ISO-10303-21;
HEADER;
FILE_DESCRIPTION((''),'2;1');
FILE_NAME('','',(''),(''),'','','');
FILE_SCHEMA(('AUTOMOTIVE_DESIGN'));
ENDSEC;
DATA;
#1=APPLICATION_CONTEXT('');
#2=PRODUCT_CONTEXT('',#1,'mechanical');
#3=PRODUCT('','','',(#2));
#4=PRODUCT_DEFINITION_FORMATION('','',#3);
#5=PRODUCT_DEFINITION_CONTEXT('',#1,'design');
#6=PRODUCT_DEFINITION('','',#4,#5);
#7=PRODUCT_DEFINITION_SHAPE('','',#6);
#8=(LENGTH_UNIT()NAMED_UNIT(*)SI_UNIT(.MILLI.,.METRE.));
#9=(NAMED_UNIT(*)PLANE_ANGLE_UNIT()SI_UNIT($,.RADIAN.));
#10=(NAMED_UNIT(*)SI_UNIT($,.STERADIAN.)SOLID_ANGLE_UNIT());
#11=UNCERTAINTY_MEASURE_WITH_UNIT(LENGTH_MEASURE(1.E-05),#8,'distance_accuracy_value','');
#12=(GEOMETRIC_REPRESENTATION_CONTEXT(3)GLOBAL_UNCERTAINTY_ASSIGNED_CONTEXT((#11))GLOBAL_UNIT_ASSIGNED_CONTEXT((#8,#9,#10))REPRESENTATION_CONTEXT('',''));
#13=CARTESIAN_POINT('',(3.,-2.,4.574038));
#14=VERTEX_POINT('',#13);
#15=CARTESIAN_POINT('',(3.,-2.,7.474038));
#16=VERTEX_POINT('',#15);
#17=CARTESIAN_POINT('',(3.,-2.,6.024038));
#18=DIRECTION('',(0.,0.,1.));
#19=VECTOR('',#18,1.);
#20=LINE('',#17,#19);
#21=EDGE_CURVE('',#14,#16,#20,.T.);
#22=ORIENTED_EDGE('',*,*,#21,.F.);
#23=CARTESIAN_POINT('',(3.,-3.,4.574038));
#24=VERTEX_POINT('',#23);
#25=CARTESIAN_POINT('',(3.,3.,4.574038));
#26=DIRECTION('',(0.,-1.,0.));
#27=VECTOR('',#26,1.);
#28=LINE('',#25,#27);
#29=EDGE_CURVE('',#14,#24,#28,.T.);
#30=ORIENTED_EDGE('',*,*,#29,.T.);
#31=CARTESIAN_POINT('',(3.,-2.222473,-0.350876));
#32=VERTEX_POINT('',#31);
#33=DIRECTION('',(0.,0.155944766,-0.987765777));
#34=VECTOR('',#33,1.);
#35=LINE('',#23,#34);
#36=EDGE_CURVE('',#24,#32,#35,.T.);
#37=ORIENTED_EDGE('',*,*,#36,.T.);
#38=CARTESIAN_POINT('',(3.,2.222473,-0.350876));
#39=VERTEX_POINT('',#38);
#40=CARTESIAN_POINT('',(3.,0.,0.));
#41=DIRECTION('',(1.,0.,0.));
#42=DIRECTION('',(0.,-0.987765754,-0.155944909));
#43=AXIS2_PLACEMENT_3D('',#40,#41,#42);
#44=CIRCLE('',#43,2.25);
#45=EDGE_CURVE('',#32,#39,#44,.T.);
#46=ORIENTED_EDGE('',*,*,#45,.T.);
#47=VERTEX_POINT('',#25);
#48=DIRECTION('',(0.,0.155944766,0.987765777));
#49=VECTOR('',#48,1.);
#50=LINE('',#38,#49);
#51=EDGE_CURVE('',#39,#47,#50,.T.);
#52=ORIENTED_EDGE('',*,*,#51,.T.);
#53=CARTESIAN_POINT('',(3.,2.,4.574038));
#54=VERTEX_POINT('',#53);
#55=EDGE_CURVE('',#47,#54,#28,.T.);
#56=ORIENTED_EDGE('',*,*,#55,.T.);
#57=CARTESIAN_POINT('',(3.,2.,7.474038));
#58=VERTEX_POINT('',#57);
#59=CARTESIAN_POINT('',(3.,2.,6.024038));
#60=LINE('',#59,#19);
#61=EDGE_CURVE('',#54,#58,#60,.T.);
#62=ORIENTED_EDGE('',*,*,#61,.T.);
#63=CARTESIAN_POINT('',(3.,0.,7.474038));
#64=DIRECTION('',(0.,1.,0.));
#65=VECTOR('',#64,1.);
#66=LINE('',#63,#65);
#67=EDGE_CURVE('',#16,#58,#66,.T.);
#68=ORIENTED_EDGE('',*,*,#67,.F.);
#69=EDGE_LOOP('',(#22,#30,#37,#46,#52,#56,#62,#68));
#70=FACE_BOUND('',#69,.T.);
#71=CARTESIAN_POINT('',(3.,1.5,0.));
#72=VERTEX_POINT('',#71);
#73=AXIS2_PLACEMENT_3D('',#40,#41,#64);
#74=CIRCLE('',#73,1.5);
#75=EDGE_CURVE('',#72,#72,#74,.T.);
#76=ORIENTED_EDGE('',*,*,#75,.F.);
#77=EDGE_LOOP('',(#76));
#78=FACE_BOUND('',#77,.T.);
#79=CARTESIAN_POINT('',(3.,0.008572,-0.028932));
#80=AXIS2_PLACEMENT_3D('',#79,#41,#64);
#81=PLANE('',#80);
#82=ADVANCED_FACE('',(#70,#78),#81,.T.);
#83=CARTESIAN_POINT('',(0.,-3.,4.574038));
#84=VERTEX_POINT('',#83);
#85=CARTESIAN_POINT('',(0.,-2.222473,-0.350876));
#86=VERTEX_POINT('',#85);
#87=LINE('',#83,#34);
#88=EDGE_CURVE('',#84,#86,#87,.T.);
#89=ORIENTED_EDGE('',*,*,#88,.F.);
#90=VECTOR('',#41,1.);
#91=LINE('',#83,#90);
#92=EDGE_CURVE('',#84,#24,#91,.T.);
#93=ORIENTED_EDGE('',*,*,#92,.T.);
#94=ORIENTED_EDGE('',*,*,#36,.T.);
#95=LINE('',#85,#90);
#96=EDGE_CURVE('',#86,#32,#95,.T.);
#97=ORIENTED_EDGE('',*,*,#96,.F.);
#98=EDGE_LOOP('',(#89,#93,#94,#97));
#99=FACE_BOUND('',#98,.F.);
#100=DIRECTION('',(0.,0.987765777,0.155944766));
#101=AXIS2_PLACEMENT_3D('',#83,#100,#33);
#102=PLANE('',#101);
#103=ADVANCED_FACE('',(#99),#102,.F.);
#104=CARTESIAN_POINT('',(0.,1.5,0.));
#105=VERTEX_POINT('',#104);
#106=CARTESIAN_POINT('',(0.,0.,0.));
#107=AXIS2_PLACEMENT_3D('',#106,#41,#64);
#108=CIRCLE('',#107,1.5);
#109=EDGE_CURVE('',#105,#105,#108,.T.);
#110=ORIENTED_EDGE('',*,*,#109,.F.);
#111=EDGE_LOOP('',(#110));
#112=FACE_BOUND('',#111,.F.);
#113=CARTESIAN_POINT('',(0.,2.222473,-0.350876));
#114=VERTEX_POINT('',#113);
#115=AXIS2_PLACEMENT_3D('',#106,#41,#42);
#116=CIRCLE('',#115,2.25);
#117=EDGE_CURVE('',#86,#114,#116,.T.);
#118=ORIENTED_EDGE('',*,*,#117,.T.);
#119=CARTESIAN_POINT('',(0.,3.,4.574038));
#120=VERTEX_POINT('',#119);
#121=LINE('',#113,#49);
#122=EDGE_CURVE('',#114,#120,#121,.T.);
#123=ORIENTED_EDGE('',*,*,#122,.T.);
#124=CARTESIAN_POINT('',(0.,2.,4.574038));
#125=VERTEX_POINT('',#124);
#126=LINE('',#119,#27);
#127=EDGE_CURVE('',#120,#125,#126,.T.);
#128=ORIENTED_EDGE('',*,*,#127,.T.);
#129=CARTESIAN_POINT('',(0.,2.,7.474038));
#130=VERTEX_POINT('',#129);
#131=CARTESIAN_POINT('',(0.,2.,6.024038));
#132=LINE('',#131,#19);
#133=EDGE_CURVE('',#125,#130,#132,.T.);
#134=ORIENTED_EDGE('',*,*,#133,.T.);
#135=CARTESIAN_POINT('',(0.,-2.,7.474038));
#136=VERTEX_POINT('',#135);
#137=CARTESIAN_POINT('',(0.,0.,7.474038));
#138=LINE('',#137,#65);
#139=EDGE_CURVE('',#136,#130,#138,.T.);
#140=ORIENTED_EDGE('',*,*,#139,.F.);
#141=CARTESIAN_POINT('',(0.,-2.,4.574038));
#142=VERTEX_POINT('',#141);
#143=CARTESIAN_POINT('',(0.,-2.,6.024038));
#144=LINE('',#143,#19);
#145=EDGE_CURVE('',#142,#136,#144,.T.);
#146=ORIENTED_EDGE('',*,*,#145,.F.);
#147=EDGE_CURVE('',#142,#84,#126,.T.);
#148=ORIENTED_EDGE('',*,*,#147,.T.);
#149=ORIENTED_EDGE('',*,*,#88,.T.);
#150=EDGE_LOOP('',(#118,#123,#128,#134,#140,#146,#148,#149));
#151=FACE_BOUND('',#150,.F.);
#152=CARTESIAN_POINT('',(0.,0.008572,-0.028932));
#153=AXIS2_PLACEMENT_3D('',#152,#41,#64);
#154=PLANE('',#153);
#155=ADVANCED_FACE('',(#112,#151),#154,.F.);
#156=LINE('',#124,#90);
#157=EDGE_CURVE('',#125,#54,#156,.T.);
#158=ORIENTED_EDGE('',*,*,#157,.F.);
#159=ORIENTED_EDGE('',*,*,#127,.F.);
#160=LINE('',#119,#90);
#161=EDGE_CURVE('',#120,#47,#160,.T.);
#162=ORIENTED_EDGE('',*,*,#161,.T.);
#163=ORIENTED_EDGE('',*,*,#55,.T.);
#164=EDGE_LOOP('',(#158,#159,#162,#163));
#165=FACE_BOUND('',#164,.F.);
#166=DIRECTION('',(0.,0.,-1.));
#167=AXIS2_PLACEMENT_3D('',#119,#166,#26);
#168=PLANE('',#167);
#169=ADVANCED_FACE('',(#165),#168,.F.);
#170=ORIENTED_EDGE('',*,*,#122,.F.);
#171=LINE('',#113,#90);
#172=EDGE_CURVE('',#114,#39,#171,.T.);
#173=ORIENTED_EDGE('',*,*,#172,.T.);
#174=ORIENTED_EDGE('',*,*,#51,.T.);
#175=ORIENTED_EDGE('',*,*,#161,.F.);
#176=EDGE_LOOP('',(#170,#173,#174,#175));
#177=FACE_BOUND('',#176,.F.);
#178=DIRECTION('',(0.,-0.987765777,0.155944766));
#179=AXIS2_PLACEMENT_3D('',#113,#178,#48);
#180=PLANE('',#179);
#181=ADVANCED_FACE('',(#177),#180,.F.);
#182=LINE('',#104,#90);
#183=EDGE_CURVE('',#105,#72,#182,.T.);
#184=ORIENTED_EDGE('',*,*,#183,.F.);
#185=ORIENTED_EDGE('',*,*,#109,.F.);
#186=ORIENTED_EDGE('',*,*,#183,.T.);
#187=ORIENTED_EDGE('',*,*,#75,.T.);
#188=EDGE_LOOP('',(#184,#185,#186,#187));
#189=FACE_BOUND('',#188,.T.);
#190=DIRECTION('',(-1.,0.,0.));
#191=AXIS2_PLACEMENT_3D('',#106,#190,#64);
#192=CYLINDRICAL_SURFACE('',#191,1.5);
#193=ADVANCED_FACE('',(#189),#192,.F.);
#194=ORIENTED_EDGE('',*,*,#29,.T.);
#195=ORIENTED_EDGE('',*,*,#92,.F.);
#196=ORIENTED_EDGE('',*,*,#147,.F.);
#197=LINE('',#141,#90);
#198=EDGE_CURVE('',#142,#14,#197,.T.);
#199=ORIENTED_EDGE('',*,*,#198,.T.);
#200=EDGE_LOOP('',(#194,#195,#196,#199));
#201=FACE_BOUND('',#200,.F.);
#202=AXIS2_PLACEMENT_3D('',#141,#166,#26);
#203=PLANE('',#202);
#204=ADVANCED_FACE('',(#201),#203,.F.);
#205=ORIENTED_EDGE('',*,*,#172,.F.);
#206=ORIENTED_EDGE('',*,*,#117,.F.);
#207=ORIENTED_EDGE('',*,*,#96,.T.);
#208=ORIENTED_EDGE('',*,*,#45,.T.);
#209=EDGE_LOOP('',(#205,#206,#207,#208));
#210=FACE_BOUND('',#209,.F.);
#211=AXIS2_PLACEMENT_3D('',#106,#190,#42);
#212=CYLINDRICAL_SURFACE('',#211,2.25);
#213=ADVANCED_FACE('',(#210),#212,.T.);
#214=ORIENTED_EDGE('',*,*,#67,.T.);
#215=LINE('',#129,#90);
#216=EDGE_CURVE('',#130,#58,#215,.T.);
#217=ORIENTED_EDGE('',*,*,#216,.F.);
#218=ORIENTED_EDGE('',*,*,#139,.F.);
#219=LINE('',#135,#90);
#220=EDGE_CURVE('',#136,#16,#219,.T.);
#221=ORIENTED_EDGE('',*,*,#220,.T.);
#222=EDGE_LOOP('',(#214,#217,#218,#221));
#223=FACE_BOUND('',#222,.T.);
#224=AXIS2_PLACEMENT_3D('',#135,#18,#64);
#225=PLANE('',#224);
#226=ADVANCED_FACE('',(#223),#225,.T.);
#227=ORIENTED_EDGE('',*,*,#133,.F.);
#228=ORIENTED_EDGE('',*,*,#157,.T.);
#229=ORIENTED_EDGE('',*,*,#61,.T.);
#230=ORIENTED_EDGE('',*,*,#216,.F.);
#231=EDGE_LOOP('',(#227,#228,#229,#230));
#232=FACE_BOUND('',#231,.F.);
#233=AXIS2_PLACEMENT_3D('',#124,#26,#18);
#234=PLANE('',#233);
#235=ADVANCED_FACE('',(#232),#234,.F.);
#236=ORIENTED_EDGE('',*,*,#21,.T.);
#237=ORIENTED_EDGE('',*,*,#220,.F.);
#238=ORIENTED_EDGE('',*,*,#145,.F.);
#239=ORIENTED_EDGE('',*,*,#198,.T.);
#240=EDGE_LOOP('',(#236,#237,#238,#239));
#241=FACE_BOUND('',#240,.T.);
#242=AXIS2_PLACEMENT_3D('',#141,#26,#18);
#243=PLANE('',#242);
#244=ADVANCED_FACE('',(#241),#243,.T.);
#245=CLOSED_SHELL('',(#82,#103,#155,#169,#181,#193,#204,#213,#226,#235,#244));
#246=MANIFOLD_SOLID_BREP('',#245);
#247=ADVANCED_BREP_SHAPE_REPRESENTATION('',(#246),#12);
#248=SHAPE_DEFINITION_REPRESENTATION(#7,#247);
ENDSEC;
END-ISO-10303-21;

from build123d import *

# Parameters (mm, degrees)
F0_R     = 1.5
F0_W     = 4
F0_H     = 2.9
F1_DEPTH = 3


with BuildPart() as f1:
    # F0 (on Right) → F1 (new body)
    with BuildSketch(Plane.YZ):
        with BuildLine():
            ThreePointArc((2.222473, -0.350876), (2.243108, -0.175977), (2.25, 0))
            ThreePointArc((2.25, 0), (-0.175977, 2.243108), (-2.222473, -0.350876))
            ThreePointArc((-2.222473, -0.350876), (0, -2.25), (2.222473, -0.350876))
        make_face()
        Circle(F0_R, mode=Mode.SUBTRACT)
        with BuildLine():
            ThreePointArc((-2.222473, -0.350876), (-0.175977, 2.243108), (2.25, 0))
            ThreePointArc((2.25, 0), (2.243108, -0.175977), (2.222473, -0.350876))
            Line((2.222473, -0.350876), (3, 4.574038))
            Line((3, 4.574038), (2, 4.574038))
            Line((2, 4.574038), (-2, 4.574038))
            Line((-2, 4.574038), (-3, 4.574038))
            Line((-3, 4.574038), (-2.222473, -0.350876))
        make_face()
        with Locations((0, 6.024038)):
            Rectangle(F0_W, F0_H)
    extrude(amount=F1_DEPTH)


solid = f1.part
